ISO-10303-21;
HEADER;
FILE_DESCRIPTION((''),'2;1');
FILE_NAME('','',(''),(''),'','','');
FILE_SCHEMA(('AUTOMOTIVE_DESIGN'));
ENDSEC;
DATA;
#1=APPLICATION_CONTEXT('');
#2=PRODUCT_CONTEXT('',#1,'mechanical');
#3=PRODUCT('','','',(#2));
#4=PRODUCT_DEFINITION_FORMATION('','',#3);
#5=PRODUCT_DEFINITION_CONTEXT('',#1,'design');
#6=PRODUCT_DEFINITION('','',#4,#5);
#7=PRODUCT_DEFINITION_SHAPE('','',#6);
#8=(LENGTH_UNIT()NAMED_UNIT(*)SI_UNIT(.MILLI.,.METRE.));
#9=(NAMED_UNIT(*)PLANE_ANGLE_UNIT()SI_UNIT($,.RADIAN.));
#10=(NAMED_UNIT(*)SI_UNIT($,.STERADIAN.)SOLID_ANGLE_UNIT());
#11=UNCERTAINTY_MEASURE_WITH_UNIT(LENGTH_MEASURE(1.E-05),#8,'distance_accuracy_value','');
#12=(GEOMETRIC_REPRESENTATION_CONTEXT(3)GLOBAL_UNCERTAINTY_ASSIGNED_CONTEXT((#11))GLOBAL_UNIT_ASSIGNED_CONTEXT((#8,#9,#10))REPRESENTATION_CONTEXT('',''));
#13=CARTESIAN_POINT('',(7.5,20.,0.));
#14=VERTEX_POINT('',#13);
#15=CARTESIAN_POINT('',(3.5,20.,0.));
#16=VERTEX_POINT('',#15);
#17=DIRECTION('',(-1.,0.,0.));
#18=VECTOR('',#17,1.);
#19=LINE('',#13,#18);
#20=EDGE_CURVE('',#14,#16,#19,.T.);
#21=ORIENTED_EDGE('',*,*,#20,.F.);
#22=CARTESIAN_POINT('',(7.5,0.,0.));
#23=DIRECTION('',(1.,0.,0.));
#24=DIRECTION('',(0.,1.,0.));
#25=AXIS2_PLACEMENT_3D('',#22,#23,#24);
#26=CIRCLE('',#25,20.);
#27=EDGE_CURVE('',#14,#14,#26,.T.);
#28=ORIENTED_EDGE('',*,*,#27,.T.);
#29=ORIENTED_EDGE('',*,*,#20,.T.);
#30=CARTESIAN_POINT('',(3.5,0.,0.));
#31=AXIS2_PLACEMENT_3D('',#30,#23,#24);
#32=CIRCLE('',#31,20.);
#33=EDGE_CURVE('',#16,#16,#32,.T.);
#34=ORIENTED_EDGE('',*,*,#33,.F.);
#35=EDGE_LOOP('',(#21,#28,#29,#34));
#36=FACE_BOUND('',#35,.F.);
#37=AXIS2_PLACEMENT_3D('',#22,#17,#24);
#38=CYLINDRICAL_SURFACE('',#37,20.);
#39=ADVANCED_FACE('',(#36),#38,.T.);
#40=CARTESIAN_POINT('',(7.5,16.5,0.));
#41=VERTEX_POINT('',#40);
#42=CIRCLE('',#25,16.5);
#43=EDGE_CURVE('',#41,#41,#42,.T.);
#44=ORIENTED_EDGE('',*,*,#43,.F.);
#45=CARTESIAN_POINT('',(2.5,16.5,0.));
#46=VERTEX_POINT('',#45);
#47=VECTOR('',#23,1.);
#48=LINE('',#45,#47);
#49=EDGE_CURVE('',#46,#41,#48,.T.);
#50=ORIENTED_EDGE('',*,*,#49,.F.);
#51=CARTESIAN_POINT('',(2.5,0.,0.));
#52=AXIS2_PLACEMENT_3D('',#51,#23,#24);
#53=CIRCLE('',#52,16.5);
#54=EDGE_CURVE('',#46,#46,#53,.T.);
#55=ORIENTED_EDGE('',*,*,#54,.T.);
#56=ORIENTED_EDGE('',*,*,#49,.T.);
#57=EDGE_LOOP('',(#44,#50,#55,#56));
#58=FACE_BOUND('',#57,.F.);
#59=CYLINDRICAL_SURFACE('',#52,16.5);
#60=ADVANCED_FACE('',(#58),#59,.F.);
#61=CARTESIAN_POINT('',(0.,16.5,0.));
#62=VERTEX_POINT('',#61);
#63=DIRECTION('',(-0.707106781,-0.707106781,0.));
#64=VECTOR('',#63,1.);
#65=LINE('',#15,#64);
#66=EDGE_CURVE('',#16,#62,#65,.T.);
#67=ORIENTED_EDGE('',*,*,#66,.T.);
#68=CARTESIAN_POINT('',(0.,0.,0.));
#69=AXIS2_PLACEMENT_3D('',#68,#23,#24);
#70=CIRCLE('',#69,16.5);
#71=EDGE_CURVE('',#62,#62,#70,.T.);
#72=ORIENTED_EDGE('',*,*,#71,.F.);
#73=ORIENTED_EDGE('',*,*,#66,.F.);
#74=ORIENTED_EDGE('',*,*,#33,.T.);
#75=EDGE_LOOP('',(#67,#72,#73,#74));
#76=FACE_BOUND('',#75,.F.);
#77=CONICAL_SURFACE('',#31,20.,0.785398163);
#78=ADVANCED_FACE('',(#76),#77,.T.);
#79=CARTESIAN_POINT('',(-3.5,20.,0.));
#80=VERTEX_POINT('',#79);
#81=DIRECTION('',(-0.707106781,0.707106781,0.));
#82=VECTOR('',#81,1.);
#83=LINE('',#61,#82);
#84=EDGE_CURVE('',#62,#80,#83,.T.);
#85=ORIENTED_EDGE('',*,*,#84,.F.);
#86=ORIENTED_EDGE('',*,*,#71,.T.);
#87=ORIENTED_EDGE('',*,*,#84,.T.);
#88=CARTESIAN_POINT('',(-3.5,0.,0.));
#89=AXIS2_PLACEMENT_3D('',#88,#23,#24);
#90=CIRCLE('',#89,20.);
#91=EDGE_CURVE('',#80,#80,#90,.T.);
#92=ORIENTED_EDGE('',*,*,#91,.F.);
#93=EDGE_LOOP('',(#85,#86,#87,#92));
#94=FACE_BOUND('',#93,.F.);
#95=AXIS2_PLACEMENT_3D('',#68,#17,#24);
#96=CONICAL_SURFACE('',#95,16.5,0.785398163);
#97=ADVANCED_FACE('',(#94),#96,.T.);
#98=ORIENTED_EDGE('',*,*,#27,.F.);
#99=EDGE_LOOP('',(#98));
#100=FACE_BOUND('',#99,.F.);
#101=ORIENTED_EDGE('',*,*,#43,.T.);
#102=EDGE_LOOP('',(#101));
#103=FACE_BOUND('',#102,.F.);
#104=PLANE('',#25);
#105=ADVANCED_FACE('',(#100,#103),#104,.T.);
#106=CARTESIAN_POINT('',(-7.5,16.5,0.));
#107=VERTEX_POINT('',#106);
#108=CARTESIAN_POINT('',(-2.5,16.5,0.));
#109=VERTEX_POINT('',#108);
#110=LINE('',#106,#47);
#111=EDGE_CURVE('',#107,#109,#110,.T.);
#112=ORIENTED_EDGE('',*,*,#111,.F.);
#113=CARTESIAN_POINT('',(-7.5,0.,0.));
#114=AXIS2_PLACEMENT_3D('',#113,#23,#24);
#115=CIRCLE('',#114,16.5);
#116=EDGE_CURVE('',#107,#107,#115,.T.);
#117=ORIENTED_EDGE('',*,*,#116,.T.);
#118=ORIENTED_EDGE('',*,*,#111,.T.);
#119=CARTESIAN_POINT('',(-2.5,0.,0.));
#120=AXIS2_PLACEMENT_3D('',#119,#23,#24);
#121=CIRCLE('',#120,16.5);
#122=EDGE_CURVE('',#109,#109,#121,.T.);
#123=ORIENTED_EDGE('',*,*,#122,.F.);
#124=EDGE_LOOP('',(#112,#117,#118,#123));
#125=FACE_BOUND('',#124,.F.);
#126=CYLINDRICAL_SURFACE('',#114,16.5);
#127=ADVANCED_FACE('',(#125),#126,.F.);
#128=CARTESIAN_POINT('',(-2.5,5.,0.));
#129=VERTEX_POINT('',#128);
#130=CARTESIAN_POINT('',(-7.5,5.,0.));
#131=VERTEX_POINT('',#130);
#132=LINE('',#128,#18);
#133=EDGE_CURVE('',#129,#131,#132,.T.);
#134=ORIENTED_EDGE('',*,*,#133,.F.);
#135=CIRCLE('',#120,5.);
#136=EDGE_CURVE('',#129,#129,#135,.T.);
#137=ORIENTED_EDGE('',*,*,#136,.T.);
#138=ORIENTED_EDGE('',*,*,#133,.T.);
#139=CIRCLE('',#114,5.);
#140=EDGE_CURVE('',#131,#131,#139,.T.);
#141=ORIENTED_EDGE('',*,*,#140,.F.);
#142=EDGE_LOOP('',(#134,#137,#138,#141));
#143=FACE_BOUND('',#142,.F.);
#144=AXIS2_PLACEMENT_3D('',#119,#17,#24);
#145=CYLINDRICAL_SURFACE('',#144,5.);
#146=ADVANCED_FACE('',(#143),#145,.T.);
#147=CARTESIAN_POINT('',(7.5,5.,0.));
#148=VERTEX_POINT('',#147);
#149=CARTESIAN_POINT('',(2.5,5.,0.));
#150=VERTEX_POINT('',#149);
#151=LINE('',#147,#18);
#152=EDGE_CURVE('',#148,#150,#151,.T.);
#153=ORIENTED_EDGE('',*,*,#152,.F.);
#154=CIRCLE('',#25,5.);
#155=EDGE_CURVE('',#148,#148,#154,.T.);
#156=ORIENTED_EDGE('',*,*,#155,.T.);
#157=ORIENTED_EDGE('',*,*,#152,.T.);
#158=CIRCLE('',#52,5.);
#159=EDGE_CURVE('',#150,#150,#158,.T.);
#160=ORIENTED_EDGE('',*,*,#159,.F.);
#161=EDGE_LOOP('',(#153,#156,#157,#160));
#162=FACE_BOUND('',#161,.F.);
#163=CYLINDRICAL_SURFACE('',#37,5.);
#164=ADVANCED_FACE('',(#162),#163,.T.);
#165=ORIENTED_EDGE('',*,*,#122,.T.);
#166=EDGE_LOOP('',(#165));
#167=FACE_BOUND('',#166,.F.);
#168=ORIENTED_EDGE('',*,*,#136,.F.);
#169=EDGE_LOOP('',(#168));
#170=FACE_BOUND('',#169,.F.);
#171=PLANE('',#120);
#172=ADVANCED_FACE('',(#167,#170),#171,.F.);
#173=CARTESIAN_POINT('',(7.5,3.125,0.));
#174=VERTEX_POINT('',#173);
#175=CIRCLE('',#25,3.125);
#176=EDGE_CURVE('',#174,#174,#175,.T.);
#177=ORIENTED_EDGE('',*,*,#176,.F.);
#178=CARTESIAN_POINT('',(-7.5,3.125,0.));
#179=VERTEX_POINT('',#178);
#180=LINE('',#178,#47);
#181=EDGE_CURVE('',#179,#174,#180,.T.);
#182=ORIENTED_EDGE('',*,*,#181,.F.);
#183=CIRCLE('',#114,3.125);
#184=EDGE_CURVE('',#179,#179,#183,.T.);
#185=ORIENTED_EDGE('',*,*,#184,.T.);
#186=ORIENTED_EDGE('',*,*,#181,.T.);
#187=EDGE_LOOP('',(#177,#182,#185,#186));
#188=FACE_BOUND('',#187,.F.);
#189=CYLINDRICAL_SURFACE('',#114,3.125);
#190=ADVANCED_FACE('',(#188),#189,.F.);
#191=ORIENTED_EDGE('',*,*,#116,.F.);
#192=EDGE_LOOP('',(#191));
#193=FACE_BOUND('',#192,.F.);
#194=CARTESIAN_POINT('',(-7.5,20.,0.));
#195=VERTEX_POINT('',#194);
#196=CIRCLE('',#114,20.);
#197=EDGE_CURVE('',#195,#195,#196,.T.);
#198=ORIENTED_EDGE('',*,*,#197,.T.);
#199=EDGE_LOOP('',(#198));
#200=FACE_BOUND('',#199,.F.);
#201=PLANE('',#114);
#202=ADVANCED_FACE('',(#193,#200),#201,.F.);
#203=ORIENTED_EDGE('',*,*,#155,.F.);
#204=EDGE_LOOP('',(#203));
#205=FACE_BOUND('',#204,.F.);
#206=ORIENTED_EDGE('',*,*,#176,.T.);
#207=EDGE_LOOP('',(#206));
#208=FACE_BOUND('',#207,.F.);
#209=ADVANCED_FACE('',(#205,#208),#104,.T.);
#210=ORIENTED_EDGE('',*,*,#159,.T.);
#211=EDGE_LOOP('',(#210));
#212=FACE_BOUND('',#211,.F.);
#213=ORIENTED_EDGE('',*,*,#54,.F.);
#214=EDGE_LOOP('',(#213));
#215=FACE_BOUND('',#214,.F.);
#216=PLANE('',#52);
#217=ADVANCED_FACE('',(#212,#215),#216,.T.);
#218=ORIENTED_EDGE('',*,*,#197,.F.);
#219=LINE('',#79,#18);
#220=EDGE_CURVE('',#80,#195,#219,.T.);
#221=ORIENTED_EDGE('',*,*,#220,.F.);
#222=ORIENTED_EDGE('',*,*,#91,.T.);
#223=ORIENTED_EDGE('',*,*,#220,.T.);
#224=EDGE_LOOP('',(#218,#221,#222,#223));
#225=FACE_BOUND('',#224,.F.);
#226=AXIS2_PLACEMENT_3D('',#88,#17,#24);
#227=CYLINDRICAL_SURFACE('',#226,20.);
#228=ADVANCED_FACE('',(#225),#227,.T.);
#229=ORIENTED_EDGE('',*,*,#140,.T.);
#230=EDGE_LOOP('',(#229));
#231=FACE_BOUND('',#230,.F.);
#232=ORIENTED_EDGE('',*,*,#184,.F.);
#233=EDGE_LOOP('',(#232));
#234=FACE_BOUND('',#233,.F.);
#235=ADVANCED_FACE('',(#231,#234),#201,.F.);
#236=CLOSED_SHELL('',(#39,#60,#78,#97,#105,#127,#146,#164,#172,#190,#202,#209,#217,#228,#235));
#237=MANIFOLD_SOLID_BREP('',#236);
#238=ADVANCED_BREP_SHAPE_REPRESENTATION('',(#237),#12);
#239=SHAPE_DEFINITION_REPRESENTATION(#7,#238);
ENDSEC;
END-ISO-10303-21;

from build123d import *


with BuildPart() as part:
    # Sketch1 → Revolve1 (revolve)
    with BuildSketch(Plane.XY):
        Polygon((-7.5, 3.125), (7.5, 3.125), (7.5, 5), (2.5, 5), (2.5, 16.5), (7.5, 16.5), (7.5, 20), (3.5, 20), (0, 16.5), (-3.5, 20), (-7.5, 20), (-7.5, 16.5), (-2.5, 16.5), (-2.5, 5), (-7.5, 5), align=None)
    revolve(axis=Axis((-66.369289322, 0, 0), (1, 0, 0)))


solid = part.part
